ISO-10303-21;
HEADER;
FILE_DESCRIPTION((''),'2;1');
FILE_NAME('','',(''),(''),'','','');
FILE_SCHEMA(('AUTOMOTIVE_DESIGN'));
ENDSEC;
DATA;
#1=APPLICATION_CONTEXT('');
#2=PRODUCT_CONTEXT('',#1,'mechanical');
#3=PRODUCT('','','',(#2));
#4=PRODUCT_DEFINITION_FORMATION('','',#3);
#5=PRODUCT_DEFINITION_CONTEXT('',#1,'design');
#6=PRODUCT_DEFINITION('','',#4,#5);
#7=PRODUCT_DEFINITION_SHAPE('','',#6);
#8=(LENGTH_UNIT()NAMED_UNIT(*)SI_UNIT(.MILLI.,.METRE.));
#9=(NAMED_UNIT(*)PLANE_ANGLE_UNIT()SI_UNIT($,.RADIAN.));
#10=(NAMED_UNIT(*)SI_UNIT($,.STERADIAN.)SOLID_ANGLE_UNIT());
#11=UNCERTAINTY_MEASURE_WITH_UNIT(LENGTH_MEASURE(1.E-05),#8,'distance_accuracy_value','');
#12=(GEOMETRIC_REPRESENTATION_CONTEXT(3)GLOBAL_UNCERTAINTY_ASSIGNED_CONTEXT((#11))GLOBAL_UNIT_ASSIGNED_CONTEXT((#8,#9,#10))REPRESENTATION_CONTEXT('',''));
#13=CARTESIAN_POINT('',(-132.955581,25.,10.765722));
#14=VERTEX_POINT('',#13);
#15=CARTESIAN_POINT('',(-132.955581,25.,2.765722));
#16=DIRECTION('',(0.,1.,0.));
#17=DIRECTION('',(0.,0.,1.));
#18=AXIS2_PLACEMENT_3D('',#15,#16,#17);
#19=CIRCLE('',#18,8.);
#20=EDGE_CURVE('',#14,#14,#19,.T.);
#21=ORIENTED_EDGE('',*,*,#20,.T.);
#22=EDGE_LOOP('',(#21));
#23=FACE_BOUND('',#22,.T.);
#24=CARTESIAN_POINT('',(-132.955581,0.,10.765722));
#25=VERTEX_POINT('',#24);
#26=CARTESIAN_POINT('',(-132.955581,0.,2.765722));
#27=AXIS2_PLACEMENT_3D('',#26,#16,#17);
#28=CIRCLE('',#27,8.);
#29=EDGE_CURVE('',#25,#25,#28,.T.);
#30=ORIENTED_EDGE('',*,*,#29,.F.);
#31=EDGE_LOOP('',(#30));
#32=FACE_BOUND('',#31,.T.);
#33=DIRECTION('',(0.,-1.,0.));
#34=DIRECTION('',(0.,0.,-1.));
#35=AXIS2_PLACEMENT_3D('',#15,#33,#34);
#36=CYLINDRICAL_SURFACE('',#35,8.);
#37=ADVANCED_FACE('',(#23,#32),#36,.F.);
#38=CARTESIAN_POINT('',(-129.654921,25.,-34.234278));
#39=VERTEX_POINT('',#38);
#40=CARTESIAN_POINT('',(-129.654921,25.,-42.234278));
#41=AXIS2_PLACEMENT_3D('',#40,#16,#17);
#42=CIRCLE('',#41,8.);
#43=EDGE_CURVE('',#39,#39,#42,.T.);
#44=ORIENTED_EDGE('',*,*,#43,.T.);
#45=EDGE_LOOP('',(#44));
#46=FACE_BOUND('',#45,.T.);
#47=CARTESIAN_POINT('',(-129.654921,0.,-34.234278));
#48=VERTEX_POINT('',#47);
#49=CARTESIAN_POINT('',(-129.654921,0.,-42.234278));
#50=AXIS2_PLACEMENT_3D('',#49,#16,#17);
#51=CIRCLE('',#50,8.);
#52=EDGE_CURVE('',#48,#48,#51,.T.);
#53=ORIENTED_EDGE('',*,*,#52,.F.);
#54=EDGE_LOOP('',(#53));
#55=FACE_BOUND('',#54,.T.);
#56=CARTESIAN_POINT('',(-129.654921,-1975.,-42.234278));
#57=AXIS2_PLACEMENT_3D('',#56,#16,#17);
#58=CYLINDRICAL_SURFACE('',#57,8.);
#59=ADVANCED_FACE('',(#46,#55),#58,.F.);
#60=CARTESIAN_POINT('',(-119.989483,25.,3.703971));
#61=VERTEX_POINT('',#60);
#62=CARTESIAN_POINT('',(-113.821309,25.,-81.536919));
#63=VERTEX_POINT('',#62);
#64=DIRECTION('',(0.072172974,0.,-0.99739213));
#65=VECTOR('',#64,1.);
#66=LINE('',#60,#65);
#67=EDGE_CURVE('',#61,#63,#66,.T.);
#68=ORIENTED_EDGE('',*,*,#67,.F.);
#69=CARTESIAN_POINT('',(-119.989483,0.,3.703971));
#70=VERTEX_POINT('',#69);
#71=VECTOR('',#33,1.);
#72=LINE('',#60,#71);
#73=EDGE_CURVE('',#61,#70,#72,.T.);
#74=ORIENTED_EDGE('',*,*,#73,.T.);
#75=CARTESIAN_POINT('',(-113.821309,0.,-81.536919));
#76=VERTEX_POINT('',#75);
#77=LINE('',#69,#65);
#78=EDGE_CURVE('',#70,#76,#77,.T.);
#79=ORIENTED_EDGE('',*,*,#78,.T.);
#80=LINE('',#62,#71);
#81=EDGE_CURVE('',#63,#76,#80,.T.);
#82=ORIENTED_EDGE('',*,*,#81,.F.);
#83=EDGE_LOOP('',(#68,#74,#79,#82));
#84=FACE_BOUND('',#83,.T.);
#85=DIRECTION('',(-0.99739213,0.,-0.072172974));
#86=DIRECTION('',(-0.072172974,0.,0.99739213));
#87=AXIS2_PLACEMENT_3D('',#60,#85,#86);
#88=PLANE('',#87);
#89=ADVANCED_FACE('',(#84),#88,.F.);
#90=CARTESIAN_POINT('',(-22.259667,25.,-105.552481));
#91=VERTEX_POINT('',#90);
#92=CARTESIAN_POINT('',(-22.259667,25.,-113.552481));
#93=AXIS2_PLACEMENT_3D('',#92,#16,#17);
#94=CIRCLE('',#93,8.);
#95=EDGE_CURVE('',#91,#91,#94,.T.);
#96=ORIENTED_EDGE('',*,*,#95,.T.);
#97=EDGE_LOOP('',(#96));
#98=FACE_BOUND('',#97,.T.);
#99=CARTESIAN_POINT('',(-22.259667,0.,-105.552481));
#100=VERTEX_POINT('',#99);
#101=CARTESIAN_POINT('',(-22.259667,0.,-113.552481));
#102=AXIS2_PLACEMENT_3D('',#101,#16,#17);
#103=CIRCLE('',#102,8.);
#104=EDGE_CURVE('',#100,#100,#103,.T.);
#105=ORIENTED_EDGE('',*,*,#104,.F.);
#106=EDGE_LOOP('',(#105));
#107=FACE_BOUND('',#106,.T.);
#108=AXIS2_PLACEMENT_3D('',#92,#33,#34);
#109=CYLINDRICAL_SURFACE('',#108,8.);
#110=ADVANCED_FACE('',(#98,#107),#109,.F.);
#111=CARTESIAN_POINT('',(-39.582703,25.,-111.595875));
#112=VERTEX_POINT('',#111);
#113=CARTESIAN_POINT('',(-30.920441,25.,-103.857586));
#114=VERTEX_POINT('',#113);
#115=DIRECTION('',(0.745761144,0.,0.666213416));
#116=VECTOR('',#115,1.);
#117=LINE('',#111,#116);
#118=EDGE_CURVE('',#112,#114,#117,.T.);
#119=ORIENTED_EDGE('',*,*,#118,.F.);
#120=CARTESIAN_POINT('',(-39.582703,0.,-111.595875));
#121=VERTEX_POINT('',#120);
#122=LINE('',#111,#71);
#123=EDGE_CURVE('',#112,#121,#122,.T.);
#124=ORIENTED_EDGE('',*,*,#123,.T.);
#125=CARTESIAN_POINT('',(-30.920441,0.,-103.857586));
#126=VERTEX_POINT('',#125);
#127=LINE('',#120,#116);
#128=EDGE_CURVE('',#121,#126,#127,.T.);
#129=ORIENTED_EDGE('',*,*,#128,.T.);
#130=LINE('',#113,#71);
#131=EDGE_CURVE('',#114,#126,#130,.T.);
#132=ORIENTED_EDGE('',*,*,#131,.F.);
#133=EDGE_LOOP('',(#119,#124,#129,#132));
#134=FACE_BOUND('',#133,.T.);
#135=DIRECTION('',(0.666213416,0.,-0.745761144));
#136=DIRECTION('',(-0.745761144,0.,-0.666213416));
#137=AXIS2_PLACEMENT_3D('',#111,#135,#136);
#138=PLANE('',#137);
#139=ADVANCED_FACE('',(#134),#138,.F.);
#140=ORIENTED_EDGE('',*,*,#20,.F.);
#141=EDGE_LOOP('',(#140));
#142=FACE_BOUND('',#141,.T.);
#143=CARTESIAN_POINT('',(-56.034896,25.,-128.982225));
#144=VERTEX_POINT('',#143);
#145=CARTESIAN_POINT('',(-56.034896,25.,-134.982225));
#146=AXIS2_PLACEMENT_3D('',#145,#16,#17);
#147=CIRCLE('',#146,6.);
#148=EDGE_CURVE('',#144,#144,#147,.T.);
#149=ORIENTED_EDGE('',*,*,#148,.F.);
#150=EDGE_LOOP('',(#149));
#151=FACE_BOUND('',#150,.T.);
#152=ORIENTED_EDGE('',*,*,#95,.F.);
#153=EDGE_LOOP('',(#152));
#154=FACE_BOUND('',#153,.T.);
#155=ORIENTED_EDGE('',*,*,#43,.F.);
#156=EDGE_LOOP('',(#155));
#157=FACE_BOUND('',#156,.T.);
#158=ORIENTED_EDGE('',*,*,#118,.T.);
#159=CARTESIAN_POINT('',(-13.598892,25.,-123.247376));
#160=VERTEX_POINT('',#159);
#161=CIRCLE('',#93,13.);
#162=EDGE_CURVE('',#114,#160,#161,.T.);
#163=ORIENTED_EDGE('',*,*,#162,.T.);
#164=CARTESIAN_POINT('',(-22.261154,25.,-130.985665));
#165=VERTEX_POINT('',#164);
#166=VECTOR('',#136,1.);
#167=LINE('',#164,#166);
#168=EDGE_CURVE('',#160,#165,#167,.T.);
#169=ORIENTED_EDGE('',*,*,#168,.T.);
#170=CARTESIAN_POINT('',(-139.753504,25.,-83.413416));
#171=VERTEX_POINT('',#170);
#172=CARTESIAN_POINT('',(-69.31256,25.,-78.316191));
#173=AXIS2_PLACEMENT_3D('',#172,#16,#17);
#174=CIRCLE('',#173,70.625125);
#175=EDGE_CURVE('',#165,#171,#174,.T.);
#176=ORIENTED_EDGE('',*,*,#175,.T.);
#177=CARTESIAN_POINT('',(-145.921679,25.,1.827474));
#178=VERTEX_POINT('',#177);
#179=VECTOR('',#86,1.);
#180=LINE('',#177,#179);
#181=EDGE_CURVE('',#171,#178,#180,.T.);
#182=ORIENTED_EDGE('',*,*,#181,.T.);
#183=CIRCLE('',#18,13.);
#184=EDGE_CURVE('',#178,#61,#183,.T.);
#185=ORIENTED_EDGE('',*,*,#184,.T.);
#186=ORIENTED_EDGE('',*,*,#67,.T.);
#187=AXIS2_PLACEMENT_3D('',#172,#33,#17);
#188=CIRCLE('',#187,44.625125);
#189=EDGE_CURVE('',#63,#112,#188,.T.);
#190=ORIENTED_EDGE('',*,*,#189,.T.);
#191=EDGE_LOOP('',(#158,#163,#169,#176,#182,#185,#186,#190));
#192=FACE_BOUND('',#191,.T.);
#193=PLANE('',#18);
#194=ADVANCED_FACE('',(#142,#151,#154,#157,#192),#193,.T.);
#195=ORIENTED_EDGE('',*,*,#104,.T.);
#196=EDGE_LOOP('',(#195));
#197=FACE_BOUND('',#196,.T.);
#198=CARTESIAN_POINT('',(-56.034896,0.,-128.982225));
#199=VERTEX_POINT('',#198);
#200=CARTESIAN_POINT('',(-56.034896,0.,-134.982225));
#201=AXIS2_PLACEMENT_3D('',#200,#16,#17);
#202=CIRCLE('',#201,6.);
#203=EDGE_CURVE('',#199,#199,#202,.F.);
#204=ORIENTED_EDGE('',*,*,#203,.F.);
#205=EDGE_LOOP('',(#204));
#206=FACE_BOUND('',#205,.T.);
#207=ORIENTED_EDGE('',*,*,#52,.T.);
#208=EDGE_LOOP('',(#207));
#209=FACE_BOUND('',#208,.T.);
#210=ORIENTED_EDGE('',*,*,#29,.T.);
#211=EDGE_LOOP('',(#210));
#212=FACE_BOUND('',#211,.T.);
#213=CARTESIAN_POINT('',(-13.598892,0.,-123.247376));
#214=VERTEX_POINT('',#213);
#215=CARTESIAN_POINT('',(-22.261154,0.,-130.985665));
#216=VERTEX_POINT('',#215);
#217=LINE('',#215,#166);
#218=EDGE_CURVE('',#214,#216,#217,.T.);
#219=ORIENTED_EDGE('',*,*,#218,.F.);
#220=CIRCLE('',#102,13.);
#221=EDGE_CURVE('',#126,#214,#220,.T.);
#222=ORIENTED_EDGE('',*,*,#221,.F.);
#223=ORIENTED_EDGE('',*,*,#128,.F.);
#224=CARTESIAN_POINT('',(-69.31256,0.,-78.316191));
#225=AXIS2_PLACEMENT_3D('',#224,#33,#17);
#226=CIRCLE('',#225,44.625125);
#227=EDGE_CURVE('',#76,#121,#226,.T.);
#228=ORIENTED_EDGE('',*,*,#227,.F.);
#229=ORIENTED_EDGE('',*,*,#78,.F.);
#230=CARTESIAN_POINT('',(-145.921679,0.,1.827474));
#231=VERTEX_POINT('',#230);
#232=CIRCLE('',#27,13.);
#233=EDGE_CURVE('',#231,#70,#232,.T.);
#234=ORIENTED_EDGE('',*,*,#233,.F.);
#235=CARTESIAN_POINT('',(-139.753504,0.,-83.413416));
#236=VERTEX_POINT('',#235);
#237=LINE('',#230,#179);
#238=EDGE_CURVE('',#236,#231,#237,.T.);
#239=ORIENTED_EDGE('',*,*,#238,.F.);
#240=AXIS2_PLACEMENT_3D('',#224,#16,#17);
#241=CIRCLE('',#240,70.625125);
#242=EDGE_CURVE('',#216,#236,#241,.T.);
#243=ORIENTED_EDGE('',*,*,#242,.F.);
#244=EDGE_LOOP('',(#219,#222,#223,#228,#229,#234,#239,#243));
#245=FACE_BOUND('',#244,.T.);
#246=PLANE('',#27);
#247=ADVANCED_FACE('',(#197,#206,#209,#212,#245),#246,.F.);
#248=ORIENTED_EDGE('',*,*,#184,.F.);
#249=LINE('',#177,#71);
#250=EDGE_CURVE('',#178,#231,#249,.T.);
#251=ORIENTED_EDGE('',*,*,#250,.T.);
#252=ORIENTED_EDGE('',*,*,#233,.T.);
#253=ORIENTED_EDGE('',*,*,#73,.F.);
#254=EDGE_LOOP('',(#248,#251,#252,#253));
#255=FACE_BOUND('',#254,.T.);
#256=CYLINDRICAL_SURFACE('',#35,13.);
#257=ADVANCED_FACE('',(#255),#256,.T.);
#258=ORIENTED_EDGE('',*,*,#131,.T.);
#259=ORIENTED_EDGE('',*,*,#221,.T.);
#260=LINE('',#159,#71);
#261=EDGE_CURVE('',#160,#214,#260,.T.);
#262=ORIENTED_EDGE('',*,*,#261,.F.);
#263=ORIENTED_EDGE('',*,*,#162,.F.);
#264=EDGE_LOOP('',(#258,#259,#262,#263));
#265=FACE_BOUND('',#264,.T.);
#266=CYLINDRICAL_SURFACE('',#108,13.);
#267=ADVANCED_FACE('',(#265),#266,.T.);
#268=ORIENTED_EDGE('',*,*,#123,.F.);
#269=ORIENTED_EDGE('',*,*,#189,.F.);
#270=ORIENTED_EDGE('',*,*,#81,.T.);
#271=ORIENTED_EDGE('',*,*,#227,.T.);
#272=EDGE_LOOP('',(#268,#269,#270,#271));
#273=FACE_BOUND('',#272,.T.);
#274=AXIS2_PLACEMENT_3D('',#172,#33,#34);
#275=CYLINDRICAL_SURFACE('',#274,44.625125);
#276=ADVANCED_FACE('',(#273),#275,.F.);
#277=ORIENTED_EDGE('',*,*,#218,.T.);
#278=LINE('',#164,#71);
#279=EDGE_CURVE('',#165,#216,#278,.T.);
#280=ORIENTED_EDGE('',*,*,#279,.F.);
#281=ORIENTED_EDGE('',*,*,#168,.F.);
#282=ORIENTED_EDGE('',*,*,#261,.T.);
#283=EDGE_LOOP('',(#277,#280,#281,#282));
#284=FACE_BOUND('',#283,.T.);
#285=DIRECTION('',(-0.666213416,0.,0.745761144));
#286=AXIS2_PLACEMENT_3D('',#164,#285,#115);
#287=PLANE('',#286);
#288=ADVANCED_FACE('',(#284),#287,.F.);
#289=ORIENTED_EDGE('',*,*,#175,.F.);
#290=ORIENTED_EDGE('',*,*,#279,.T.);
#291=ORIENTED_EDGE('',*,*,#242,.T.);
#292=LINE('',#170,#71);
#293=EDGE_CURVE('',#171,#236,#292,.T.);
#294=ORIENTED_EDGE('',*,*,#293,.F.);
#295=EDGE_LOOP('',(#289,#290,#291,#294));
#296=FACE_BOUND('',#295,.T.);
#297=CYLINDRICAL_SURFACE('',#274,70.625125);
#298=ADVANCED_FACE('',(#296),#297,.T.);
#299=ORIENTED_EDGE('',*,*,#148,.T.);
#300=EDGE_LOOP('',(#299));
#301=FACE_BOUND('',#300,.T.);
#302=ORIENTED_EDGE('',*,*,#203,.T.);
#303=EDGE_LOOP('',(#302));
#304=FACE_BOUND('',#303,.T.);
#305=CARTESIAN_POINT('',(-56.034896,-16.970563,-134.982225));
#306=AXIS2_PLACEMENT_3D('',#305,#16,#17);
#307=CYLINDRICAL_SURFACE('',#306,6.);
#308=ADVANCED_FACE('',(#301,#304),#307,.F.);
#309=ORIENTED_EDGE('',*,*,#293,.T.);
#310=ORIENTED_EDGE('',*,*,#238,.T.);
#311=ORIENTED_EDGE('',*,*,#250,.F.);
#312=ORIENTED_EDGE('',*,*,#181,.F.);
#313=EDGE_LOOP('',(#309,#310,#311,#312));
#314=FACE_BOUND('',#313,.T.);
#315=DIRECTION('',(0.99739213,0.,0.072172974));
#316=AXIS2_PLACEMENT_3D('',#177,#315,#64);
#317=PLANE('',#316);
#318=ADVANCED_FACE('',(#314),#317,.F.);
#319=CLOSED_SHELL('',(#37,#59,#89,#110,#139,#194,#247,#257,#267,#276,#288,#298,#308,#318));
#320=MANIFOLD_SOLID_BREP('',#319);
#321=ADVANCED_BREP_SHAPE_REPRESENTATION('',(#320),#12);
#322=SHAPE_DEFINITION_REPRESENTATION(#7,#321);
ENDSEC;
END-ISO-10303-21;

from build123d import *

# Parameters (mm, degrees)
SZKIC1_R                    = 8
DODANIE_WYCI_GNI_CIE1_DEPTH = 25
SZKIC2_R                    = 6
WYTNIJ_WYCI_GNI_CIE1_DEPTH  = 25
SZKIC3_R                    = 8
WYTNIJ_WYCI_GNI_CIE2_DEPTH  = 2000


with BuildPart() as part:
    # Szkic1 → Dodanie-wyciągnięcie1 (new body)
    with BuildSketch(Plane(origin=(0, 0, 0), x_dir=(1, 0, 0), z_dir=(0, 1, 0))):
        with BuildLine():
            Line((-145.921678768, -1.827473833), (-139.75350446, 83.413416114))
            ThreePointArc((-139.75350446, 83.413416114), (-95.818169931, 143.778859358), (-22.261154385, 130.985664988))
            Line((-22.261154385, 130.985664988), (-13.598892288, 123.247376031))
            ThreePointArc((-13.598892288, 123.247376031), (-12.564771829, 104.891706747), (-30.920441114, 103.857586288))
            Line((-30.920441114, 103.857586288), (-39.58270321, 111.595875245))
            ThreePointArc((-39.58270321, 111.595875245), (-86.060369899, 119.679371012), (-113.821309069, 81.536918796))
            Line((-113.821309069, 81.536918796), (-119.989483377, -3.703971151))
            ThreePointArc((-119.989483377, -3.703971151), (-133.893829731, -15.731820187), (-145.921678768, -1.827473833))
        make_face()
        with Locations((-132.955581072, -2.765722492)):
            Circle(SZKIC1_R, mode=Mode.SUBTRACT)
        with Locations((-22.259666701, 113.552481159)):
            Circle(SZKIC1_R, mode=Mode.SUBTRACT)
    extrude(amount=DODANIE_WYCI_GNI_CIE1_DEPTH)

    # Szkic2 → Wytnij-wyciągnięcie1 (cut)
    with BuildSketch(Plane(origin=(0, 25, 0), x_dir=(1, 0, 0), z_dir=(0, 1, 0))):
        with Locations((-56.034895704, 134.982224644)):
            Circle(SZKIC2_R)
    extrude(amount=-WYTNIJ_WYCI_GNI_CIE1_DEPTH, mode=Mode.SUBTRACT)

    # Szkic3 → Wytnij-wyciągnięcie2 (cut)
    with BuildSketch(Plane(origin=(0, 25, 0), x_dir=(1, 0, 0), z_dir=(0, 1, 0))):
        with Locations((-129.654921114, 42.234277508)):
            Circle(SZKIC3_R)
    extrude(amount=-WYTNIJ_WYCI_GNI_CIE2_DEPTH, mode=Mode.SUBTRACT)


solid = part.part
